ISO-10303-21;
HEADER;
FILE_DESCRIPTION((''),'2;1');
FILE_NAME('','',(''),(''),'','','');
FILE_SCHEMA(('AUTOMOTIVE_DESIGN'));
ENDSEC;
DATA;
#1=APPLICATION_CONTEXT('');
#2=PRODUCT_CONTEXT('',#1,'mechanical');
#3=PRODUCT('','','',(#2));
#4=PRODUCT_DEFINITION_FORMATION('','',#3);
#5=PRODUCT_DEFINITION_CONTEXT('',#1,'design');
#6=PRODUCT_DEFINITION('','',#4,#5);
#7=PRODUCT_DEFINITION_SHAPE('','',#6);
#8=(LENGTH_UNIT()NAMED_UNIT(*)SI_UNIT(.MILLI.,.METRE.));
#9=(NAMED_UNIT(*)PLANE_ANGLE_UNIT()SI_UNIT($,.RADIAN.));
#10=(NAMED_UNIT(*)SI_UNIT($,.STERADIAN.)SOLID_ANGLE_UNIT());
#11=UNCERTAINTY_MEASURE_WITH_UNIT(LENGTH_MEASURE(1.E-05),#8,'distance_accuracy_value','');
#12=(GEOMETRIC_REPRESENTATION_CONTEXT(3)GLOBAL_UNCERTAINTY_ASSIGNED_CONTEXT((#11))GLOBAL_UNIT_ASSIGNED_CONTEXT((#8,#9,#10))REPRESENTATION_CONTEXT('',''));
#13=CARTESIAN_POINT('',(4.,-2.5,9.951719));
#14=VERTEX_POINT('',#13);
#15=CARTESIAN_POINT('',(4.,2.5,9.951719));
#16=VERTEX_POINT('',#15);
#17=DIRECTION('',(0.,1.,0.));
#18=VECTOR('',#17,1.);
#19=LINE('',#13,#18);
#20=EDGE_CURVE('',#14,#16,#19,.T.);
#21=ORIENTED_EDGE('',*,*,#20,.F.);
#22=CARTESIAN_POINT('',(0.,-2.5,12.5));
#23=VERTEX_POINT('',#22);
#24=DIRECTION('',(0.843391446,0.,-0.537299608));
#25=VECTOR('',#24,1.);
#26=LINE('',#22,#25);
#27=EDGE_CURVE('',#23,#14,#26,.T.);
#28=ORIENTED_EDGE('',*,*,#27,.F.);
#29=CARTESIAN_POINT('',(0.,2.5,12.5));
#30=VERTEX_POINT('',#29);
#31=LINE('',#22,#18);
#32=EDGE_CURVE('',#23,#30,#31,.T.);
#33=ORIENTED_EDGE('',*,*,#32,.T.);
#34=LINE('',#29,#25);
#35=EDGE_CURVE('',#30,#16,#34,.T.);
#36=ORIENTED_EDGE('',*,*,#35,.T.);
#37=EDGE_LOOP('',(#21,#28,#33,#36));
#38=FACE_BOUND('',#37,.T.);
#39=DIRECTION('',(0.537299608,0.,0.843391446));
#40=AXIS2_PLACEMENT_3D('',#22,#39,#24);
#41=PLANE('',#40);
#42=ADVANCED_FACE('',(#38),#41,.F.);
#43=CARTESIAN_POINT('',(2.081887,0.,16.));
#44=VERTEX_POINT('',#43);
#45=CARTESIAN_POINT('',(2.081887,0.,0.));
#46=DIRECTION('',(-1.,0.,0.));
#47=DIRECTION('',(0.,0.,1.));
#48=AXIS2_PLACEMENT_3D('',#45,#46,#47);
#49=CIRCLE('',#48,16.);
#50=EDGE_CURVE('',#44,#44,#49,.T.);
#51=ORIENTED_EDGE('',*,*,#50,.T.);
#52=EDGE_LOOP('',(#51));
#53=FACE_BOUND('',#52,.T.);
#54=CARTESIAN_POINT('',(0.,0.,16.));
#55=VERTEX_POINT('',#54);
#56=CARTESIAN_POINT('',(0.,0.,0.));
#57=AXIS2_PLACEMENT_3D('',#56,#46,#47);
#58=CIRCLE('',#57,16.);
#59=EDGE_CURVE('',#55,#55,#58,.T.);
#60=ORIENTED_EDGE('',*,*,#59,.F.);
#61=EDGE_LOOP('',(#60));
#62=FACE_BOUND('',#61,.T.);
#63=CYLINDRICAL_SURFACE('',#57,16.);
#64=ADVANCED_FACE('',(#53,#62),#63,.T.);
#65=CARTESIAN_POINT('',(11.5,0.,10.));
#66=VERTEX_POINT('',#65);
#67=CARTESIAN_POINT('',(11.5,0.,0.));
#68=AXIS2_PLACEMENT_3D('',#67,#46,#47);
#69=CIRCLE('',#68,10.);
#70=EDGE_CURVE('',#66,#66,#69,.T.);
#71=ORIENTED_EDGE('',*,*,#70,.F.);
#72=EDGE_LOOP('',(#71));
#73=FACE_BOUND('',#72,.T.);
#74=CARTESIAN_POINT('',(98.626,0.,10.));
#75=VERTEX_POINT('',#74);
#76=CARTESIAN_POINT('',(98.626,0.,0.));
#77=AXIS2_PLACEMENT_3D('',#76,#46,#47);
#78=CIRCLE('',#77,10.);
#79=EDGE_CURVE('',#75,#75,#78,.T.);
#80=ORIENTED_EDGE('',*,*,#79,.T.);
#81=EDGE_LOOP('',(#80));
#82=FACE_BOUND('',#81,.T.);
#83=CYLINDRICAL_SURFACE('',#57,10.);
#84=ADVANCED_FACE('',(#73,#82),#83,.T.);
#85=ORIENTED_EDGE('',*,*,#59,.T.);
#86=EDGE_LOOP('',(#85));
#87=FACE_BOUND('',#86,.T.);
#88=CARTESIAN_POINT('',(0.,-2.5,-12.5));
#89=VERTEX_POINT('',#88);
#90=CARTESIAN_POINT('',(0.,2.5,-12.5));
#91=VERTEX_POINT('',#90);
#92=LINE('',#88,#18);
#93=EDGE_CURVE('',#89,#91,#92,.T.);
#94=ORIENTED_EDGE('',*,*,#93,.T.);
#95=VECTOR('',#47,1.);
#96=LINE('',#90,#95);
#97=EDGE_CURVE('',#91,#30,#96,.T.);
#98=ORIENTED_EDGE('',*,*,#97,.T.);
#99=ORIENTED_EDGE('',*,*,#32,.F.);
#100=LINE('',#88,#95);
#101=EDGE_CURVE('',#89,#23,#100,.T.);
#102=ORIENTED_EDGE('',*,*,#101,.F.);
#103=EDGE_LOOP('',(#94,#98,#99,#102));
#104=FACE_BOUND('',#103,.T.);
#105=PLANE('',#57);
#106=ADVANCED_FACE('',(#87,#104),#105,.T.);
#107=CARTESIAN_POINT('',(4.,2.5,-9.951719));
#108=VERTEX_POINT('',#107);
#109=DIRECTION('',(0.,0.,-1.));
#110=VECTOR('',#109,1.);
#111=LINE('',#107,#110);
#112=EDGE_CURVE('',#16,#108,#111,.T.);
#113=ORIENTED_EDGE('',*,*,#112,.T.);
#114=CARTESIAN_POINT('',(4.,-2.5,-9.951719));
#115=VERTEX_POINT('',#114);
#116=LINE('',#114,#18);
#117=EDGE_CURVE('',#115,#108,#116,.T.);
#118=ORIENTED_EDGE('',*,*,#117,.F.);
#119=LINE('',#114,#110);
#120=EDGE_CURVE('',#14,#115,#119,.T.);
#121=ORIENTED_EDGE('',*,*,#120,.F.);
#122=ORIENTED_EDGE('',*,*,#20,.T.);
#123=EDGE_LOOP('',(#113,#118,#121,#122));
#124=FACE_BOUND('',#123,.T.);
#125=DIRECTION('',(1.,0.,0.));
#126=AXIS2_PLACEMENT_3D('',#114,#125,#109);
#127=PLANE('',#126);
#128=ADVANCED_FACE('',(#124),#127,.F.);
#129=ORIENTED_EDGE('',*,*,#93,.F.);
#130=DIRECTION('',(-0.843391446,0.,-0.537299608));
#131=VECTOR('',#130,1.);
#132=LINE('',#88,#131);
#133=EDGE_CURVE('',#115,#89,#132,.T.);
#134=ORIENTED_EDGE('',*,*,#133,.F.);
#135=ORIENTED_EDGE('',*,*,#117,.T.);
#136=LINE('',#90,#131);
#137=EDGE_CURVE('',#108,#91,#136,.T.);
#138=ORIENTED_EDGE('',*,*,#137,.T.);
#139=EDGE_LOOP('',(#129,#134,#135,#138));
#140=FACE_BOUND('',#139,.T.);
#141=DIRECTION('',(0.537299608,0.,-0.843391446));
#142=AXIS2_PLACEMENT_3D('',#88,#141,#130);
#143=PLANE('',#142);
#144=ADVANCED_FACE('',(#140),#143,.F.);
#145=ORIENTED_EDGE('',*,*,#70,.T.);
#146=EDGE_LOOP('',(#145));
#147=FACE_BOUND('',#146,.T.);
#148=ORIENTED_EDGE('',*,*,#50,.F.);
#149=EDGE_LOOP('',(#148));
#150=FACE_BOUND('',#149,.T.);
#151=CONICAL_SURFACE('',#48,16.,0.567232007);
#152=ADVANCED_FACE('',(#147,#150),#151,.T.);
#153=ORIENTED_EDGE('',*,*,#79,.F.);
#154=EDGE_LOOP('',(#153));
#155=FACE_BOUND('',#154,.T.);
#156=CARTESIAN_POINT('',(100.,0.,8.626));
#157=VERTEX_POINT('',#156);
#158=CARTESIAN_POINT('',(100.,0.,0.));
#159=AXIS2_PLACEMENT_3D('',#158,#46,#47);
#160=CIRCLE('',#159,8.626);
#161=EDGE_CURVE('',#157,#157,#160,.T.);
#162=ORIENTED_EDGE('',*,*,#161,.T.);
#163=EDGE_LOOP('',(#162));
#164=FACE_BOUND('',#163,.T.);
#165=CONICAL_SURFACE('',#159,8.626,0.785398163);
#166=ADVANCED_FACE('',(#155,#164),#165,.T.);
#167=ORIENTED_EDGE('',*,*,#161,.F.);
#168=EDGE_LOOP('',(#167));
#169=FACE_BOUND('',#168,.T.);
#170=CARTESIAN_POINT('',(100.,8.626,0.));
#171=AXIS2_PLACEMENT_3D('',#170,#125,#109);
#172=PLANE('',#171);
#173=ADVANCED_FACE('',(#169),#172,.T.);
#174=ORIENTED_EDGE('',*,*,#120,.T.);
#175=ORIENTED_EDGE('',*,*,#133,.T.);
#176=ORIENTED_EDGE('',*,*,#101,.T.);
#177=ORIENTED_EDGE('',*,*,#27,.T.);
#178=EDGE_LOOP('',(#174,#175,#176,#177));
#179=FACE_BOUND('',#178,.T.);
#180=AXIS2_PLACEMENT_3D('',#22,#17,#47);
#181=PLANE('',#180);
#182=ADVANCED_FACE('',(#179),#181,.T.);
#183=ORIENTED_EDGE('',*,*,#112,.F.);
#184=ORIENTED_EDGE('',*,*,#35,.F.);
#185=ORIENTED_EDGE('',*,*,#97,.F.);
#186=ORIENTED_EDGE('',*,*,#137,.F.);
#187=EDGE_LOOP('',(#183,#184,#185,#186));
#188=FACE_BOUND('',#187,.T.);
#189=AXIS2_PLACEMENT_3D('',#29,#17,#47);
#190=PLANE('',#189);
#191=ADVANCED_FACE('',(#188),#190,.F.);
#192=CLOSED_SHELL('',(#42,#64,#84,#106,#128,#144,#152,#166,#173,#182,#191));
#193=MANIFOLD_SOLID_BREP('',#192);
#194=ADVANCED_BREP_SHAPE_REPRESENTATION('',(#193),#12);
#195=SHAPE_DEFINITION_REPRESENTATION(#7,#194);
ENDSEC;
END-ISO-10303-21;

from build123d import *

# Parameters (mm, degrees)
SLOT_DEPTH      = 2.5
SLOT_DEPTH_BACK = 2.5


with BuildPart() as part:
    # BodySke → BaseBody (revolve)
    with BuildSketch(Plane.XY):
        Polygon((0, 0), (0, 16), (2.081886537, 16), (11.5, 10), (98.626, 10), (100, 8.626), (100, 0), align=None)
    revolve(axis=Axis((0, 0, 0), (1, 0, 0)))

    # SlotSke → Slot (cut, two sides: drawn at the far end of the back side and taken through both)
    with BuildSketch(Plane(origin=(0, 0, 0), x_dir=(1, 0, 0), z_dir=(0, 1, 0)).offset(-SLOT_DEPTH_BACK)):
        Polygon((0, 12.5), (4, 9.951718957), (4, -9.951718957), (0, -12.5), align=None)
    extrude(amount=SLOT_DEPTH + SLOT_DEPTH_BACK, mode=Mode.SUBTRACT)


solid = part.part
